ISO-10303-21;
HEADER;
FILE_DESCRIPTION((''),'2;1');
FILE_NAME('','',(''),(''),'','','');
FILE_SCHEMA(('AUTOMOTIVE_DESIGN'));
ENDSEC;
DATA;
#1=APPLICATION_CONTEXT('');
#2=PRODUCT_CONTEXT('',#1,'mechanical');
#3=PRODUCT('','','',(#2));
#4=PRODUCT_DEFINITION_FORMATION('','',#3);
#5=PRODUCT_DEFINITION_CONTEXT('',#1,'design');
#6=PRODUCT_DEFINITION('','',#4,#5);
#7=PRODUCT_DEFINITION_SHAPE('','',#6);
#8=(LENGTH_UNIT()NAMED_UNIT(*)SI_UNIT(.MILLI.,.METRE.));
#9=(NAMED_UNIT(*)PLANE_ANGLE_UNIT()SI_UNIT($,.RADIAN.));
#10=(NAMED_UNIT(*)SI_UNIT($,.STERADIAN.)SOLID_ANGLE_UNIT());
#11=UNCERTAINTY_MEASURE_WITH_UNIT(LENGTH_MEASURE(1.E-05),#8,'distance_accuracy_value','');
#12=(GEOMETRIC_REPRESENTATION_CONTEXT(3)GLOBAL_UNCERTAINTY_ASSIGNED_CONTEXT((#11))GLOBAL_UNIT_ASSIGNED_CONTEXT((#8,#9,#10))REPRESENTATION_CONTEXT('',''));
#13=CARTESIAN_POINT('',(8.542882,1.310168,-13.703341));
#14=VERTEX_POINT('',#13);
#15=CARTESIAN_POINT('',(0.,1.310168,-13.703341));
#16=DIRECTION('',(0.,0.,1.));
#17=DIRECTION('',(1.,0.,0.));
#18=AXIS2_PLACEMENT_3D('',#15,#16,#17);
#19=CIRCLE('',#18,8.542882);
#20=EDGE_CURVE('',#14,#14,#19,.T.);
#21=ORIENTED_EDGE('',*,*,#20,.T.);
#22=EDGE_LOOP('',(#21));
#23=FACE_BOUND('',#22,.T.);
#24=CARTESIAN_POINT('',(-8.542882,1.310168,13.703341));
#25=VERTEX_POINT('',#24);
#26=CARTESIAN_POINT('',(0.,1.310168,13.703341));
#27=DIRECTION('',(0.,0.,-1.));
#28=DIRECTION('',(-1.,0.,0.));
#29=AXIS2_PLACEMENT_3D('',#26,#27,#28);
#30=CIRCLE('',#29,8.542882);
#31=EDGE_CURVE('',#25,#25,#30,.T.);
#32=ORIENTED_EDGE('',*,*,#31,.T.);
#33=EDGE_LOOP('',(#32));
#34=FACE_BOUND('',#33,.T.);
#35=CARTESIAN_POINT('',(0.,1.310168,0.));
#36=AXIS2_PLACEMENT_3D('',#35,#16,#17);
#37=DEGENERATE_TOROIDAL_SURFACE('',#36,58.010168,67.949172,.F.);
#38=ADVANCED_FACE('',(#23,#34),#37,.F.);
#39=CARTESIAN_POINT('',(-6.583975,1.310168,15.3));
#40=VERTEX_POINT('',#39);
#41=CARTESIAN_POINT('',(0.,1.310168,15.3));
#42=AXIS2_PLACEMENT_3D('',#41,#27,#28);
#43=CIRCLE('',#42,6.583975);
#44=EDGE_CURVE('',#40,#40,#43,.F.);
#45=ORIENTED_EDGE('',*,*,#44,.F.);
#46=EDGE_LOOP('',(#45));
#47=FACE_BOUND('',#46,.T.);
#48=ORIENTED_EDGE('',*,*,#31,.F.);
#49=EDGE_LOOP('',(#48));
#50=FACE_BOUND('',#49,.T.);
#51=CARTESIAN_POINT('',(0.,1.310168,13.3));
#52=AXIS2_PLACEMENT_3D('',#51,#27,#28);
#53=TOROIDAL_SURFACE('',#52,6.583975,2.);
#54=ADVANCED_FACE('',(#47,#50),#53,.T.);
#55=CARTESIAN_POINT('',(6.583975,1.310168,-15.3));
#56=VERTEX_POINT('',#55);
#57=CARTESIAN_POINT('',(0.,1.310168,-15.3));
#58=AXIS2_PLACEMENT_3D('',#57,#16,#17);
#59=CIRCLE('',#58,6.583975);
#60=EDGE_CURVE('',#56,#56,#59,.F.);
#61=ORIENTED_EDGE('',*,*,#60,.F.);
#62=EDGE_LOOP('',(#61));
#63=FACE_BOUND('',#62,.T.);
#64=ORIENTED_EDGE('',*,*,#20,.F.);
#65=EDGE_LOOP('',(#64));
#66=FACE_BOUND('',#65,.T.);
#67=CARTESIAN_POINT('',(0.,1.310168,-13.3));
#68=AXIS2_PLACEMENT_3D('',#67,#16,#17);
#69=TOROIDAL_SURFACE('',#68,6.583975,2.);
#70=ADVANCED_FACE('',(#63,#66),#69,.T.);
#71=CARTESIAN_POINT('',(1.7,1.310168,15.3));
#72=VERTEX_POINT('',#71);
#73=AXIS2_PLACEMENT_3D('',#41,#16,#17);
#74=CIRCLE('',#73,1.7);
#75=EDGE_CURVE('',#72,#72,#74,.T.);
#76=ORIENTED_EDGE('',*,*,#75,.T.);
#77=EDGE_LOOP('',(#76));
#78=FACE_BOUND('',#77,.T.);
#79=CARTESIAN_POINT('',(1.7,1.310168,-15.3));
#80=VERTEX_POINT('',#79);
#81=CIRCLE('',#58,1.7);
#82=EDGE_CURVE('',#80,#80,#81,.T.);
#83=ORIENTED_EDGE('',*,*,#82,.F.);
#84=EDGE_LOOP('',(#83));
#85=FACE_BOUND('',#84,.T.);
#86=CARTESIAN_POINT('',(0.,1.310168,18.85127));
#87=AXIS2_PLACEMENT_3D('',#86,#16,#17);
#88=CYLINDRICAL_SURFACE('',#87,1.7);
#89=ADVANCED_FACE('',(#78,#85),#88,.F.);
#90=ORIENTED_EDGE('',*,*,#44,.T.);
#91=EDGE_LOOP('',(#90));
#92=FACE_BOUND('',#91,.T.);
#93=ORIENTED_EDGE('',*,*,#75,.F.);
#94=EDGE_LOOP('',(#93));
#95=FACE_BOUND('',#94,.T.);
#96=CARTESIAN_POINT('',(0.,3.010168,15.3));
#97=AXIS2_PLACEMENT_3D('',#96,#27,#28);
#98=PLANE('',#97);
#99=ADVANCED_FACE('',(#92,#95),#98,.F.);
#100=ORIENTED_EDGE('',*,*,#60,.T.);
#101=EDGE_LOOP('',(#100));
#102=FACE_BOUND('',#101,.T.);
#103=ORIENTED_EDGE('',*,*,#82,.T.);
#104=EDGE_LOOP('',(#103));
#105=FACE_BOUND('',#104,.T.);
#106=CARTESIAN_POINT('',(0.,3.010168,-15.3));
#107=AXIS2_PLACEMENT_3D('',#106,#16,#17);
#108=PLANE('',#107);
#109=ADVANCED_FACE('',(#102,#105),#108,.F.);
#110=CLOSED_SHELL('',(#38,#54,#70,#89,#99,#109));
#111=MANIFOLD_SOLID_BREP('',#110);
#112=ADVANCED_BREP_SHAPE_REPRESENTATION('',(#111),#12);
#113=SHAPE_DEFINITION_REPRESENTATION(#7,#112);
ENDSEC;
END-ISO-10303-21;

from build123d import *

# Parameters (mm, degrees)
VERRUNDUNG1_R = 2


with BuildPart() as part:
    # Skizze1 → Rotation1 (revolve)
    with BuildSketch(Plane(origin=(0, 0, 0), x_dir=(0, 0, -1), z_dir=(1, 0, 0)), mode=Mode.PRIVATE) as rotation1_sk:
        with BuildLine():
            Line((-15.3, 3.010167596), (15.3, 3.010167596))
            Line((15.3, 3.010167596), (15.3, 9.504229472))
            ThreePointArc((15.3, 9.504229472), (0, 11.24917218), (-15.3, 9.504229472))
            Line((-15.3, 9.504229472), (-15.3, 3.010167596))
        make_face()
    revolve(rotation1_sk.sketch.rotate(Axis((0, 1.310167596, 18.851269556), (0, 0, -1)), 90), axis=Axis((0, 1.310167596, 18.851269556), (0, 0, -1)))

    # Verrundung1
    verrundung1_edges = [part.edges().sort_by_distance(p)[0] for p in [
        (-8.194061877, 1.310167596, 15.3),
        (-8.194061877, 1.310167596, -15.3),
    ]]
    fillet(verrundung1_edges, radius=VERRUNDUNG1_R)


solid = part.part
